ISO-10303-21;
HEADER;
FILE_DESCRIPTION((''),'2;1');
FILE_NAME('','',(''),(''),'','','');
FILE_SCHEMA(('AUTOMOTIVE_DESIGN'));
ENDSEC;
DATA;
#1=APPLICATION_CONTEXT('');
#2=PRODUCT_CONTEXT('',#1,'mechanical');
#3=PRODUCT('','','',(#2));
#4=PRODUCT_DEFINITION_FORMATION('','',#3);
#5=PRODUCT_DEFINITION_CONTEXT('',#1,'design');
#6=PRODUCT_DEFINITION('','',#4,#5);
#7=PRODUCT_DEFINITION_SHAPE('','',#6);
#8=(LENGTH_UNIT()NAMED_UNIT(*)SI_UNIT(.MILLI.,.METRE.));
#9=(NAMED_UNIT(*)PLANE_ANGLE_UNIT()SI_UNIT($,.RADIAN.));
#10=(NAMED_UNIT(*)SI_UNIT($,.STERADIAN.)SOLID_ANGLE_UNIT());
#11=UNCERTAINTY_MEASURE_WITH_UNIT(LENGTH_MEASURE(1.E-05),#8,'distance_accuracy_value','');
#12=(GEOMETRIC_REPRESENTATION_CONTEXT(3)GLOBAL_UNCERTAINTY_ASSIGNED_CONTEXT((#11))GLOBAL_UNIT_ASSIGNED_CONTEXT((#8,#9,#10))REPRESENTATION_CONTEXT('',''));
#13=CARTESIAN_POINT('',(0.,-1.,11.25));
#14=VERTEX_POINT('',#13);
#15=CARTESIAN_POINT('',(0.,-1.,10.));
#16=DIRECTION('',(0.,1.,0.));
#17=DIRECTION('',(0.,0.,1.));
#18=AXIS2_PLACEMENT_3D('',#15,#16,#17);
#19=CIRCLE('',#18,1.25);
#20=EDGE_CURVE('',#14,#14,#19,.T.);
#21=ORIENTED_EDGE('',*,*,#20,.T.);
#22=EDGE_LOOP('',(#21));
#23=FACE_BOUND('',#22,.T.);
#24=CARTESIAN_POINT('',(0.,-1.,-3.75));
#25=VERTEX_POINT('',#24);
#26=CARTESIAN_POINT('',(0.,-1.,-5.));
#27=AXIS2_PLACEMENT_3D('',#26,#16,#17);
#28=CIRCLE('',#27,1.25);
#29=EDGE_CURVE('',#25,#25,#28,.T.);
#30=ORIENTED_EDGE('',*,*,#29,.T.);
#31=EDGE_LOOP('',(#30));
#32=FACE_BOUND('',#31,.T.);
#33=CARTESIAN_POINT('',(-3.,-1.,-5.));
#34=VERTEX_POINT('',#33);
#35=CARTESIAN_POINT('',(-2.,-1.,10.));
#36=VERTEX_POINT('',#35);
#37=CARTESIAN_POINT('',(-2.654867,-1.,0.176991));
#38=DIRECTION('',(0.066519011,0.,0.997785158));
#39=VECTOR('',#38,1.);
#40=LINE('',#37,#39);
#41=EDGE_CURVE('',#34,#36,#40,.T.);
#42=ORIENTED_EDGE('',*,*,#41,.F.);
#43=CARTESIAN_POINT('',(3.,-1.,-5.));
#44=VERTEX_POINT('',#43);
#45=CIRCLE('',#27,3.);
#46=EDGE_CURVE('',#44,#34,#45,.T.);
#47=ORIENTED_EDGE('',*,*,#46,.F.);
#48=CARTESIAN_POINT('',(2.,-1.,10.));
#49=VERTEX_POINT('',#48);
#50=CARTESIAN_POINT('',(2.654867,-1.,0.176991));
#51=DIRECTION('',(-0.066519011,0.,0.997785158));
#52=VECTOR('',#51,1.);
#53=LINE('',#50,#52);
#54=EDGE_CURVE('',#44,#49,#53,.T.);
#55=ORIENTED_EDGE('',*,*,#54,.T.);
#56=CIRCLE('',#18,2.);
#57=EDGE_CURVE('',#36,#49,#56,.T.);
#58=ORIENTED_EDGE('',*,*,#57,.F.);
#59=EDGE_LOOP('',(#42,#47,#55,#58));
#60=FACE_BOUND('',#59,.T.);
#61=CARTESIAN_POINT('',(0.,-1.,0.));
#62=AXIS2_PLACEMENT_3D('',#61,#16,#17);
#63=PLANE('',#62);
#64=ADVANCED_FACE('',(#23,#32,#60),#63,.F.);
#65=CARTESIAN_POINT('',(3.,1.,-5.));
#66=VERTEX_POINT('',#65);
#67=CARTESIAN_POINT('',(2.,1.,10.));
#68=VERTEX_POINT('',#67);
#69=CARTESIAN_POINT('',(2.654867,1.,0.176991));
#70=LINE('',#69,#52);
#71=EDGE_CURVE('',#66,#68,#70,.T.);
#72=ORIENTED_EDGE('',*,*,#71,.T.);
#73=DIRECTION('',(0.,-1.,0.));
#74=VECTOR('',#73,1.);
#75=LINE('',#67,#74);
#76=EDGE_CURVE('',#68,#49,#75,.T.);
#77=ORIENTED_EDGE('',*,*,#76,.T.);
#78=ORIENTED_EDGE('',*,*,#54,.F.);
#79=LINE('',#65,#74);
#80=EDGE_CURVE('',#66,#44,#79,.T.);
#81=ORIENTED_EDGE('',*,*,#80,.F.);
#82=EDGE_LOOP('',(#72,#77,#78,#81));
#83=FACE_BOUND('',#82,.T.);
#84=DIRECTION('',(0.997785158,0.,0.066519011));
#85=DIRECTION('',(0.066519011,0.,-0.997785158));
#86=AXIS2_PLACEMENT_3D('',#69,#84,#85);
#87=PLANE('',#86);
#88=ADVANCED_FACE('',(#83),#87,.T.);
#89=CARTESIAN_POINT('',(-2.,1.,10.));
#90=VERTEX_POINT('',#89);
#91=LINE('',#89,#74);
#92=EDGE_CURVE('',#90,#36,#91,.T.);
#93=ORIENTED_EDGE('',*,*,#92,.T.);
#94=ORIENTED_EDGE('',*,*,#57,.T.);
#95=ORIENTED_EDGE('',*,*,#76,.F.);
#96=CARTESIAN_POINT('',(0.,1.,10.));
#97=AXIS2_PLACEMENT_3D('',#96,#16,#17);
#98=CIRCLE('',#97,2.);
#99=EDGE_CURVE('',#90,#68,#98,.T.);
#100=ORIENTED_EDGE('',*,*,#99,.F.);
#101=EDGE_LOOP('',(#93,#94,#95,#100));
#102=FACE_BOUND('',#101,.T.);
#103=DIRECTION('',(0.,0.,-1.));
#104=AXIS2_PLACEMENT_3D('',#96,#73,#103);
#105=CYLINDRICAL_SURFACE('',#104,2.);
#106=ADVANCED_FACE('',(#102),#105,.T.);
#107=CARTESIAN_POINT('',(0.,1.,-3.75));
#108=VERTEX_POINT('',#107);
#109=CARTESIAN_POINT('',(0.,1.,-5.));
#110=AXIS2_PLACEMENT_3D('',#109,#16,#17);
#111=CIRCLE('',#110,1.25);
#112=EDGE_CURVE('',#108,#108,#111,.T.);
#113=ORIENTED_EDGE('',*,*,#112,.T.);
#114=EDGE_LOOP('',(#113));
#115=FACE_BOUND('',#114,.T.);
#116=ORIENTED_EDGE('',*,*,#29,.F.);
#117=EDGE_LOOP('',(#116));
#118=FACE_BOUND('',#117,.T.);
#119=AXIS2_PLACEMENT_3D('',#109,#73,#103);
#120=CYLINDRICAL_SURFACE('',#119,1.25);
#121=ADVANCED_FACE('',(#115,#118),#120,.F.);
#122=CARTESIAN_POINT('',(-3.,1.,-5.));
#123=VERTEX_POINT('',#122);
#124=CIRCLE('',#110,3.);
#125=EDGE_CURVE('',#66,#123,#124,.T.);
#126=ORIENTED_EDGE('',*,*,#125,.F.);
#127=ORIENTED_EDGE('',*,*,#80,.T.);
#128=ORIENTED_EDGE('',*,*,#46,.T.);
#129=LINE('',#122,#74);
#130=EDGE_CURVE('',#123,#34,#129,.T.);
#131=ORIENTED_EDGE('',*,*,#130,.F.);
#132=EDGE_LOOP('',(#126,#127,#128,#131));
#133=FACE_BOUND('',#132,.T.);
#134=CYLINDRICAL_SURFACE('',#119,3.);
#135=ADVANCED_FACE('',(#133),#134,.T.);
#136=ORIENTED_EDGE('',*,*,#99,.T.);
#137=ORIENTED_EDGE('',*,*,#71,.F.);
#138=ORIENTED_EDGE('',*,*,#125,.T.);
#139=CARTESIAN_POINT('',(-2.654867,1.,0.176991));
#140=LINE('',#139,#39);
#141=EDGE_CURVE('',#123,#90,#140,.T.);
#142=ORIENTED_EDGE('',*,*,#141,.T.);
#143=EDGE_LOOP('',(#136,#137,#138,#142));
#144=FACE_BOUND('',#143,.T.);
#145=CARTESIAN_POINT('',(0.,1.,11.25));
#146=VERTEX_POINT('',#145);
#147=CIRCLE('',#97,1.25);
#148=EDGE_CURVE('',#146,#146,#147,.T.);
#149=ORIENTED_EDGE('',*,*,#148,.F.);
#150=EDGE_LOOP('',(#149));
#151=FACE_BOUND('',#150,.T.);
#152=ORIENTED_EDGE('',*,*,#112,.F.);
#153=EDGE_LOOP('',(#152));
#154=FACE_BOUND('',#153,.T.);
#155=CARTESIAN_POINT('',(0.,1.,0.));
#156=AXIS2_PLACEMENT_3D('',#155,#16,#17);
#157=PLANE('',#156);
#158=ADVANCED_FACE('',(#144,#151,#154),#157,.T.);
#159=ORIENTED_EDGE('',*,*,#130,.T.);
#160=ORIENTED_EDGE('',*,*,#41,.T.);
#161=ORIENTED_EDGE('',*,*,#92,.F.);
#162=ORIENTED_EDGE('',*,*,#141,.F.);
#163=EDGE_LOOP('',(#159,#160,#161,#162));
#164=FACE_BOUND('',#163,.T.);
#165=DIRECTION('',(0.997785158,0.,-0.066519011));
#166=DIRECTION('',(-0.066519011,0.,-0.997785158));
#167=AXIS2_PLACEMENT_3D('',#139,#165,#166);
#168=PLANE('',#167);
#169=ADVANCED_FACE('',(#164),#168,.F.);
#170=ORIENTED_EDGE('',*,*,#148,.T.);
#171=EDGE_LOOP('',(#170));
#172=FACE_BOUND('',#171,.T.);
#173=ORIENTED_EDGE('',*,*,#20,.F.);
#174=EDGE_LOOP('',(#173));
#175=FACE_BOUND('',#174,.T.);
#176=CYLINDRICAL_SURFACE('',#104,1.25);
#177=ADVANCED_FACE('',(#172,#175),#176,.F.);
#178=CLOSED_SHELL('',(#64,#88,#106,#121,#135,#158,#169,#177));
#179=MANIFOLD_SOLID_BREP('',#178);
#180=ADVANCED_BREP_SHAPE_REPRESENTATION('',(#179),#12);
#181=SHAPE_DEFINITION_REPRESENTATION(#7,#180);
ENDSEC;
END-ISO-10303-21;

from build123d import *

# Parameters (mm, degrees)
SKETCH1_R           = 1.25
BOSS_EXTRUDE1_DEPTH = 1


with BuildPart() as part:
    # Sketch1 → Boss-Extrude1 (new, symmetric)
    with BuildSketch(Plane(origin=(0, 0, 0), x_dir=(1, 0, 0), z_dir=(0, 1, 0))):
        with BuildLine():
            ThreePointArc((3, 5), (0, 8), (-3, 5))
            Line((-3, 5), (-2.973451327, 4.601769912))
            Line((-2.973451327, 4.601769912), (-2, -10))
            ThreePointArc((-2, -10), (0, -12), (2, -10))
            Line((2, -10), (2.973451327, 4.601769912))
            Line((2.973451327, 4.601769912), (3, 5))
        make_face()
        with Locations(Location((0, -10, 0), (0, 0, 270))):
            Circle(SKETCH1_R, mode=Mode.SUBTRACT)
        with Locations(Location((0, 5, 0), (0, 0, 270))):
            Circle(SKETCH1_R, mode=Mode.SUBTRACT)
    extrude(amount=BOSS_EXTRUDE1_DEPTH, both=True)


solid = part.part
